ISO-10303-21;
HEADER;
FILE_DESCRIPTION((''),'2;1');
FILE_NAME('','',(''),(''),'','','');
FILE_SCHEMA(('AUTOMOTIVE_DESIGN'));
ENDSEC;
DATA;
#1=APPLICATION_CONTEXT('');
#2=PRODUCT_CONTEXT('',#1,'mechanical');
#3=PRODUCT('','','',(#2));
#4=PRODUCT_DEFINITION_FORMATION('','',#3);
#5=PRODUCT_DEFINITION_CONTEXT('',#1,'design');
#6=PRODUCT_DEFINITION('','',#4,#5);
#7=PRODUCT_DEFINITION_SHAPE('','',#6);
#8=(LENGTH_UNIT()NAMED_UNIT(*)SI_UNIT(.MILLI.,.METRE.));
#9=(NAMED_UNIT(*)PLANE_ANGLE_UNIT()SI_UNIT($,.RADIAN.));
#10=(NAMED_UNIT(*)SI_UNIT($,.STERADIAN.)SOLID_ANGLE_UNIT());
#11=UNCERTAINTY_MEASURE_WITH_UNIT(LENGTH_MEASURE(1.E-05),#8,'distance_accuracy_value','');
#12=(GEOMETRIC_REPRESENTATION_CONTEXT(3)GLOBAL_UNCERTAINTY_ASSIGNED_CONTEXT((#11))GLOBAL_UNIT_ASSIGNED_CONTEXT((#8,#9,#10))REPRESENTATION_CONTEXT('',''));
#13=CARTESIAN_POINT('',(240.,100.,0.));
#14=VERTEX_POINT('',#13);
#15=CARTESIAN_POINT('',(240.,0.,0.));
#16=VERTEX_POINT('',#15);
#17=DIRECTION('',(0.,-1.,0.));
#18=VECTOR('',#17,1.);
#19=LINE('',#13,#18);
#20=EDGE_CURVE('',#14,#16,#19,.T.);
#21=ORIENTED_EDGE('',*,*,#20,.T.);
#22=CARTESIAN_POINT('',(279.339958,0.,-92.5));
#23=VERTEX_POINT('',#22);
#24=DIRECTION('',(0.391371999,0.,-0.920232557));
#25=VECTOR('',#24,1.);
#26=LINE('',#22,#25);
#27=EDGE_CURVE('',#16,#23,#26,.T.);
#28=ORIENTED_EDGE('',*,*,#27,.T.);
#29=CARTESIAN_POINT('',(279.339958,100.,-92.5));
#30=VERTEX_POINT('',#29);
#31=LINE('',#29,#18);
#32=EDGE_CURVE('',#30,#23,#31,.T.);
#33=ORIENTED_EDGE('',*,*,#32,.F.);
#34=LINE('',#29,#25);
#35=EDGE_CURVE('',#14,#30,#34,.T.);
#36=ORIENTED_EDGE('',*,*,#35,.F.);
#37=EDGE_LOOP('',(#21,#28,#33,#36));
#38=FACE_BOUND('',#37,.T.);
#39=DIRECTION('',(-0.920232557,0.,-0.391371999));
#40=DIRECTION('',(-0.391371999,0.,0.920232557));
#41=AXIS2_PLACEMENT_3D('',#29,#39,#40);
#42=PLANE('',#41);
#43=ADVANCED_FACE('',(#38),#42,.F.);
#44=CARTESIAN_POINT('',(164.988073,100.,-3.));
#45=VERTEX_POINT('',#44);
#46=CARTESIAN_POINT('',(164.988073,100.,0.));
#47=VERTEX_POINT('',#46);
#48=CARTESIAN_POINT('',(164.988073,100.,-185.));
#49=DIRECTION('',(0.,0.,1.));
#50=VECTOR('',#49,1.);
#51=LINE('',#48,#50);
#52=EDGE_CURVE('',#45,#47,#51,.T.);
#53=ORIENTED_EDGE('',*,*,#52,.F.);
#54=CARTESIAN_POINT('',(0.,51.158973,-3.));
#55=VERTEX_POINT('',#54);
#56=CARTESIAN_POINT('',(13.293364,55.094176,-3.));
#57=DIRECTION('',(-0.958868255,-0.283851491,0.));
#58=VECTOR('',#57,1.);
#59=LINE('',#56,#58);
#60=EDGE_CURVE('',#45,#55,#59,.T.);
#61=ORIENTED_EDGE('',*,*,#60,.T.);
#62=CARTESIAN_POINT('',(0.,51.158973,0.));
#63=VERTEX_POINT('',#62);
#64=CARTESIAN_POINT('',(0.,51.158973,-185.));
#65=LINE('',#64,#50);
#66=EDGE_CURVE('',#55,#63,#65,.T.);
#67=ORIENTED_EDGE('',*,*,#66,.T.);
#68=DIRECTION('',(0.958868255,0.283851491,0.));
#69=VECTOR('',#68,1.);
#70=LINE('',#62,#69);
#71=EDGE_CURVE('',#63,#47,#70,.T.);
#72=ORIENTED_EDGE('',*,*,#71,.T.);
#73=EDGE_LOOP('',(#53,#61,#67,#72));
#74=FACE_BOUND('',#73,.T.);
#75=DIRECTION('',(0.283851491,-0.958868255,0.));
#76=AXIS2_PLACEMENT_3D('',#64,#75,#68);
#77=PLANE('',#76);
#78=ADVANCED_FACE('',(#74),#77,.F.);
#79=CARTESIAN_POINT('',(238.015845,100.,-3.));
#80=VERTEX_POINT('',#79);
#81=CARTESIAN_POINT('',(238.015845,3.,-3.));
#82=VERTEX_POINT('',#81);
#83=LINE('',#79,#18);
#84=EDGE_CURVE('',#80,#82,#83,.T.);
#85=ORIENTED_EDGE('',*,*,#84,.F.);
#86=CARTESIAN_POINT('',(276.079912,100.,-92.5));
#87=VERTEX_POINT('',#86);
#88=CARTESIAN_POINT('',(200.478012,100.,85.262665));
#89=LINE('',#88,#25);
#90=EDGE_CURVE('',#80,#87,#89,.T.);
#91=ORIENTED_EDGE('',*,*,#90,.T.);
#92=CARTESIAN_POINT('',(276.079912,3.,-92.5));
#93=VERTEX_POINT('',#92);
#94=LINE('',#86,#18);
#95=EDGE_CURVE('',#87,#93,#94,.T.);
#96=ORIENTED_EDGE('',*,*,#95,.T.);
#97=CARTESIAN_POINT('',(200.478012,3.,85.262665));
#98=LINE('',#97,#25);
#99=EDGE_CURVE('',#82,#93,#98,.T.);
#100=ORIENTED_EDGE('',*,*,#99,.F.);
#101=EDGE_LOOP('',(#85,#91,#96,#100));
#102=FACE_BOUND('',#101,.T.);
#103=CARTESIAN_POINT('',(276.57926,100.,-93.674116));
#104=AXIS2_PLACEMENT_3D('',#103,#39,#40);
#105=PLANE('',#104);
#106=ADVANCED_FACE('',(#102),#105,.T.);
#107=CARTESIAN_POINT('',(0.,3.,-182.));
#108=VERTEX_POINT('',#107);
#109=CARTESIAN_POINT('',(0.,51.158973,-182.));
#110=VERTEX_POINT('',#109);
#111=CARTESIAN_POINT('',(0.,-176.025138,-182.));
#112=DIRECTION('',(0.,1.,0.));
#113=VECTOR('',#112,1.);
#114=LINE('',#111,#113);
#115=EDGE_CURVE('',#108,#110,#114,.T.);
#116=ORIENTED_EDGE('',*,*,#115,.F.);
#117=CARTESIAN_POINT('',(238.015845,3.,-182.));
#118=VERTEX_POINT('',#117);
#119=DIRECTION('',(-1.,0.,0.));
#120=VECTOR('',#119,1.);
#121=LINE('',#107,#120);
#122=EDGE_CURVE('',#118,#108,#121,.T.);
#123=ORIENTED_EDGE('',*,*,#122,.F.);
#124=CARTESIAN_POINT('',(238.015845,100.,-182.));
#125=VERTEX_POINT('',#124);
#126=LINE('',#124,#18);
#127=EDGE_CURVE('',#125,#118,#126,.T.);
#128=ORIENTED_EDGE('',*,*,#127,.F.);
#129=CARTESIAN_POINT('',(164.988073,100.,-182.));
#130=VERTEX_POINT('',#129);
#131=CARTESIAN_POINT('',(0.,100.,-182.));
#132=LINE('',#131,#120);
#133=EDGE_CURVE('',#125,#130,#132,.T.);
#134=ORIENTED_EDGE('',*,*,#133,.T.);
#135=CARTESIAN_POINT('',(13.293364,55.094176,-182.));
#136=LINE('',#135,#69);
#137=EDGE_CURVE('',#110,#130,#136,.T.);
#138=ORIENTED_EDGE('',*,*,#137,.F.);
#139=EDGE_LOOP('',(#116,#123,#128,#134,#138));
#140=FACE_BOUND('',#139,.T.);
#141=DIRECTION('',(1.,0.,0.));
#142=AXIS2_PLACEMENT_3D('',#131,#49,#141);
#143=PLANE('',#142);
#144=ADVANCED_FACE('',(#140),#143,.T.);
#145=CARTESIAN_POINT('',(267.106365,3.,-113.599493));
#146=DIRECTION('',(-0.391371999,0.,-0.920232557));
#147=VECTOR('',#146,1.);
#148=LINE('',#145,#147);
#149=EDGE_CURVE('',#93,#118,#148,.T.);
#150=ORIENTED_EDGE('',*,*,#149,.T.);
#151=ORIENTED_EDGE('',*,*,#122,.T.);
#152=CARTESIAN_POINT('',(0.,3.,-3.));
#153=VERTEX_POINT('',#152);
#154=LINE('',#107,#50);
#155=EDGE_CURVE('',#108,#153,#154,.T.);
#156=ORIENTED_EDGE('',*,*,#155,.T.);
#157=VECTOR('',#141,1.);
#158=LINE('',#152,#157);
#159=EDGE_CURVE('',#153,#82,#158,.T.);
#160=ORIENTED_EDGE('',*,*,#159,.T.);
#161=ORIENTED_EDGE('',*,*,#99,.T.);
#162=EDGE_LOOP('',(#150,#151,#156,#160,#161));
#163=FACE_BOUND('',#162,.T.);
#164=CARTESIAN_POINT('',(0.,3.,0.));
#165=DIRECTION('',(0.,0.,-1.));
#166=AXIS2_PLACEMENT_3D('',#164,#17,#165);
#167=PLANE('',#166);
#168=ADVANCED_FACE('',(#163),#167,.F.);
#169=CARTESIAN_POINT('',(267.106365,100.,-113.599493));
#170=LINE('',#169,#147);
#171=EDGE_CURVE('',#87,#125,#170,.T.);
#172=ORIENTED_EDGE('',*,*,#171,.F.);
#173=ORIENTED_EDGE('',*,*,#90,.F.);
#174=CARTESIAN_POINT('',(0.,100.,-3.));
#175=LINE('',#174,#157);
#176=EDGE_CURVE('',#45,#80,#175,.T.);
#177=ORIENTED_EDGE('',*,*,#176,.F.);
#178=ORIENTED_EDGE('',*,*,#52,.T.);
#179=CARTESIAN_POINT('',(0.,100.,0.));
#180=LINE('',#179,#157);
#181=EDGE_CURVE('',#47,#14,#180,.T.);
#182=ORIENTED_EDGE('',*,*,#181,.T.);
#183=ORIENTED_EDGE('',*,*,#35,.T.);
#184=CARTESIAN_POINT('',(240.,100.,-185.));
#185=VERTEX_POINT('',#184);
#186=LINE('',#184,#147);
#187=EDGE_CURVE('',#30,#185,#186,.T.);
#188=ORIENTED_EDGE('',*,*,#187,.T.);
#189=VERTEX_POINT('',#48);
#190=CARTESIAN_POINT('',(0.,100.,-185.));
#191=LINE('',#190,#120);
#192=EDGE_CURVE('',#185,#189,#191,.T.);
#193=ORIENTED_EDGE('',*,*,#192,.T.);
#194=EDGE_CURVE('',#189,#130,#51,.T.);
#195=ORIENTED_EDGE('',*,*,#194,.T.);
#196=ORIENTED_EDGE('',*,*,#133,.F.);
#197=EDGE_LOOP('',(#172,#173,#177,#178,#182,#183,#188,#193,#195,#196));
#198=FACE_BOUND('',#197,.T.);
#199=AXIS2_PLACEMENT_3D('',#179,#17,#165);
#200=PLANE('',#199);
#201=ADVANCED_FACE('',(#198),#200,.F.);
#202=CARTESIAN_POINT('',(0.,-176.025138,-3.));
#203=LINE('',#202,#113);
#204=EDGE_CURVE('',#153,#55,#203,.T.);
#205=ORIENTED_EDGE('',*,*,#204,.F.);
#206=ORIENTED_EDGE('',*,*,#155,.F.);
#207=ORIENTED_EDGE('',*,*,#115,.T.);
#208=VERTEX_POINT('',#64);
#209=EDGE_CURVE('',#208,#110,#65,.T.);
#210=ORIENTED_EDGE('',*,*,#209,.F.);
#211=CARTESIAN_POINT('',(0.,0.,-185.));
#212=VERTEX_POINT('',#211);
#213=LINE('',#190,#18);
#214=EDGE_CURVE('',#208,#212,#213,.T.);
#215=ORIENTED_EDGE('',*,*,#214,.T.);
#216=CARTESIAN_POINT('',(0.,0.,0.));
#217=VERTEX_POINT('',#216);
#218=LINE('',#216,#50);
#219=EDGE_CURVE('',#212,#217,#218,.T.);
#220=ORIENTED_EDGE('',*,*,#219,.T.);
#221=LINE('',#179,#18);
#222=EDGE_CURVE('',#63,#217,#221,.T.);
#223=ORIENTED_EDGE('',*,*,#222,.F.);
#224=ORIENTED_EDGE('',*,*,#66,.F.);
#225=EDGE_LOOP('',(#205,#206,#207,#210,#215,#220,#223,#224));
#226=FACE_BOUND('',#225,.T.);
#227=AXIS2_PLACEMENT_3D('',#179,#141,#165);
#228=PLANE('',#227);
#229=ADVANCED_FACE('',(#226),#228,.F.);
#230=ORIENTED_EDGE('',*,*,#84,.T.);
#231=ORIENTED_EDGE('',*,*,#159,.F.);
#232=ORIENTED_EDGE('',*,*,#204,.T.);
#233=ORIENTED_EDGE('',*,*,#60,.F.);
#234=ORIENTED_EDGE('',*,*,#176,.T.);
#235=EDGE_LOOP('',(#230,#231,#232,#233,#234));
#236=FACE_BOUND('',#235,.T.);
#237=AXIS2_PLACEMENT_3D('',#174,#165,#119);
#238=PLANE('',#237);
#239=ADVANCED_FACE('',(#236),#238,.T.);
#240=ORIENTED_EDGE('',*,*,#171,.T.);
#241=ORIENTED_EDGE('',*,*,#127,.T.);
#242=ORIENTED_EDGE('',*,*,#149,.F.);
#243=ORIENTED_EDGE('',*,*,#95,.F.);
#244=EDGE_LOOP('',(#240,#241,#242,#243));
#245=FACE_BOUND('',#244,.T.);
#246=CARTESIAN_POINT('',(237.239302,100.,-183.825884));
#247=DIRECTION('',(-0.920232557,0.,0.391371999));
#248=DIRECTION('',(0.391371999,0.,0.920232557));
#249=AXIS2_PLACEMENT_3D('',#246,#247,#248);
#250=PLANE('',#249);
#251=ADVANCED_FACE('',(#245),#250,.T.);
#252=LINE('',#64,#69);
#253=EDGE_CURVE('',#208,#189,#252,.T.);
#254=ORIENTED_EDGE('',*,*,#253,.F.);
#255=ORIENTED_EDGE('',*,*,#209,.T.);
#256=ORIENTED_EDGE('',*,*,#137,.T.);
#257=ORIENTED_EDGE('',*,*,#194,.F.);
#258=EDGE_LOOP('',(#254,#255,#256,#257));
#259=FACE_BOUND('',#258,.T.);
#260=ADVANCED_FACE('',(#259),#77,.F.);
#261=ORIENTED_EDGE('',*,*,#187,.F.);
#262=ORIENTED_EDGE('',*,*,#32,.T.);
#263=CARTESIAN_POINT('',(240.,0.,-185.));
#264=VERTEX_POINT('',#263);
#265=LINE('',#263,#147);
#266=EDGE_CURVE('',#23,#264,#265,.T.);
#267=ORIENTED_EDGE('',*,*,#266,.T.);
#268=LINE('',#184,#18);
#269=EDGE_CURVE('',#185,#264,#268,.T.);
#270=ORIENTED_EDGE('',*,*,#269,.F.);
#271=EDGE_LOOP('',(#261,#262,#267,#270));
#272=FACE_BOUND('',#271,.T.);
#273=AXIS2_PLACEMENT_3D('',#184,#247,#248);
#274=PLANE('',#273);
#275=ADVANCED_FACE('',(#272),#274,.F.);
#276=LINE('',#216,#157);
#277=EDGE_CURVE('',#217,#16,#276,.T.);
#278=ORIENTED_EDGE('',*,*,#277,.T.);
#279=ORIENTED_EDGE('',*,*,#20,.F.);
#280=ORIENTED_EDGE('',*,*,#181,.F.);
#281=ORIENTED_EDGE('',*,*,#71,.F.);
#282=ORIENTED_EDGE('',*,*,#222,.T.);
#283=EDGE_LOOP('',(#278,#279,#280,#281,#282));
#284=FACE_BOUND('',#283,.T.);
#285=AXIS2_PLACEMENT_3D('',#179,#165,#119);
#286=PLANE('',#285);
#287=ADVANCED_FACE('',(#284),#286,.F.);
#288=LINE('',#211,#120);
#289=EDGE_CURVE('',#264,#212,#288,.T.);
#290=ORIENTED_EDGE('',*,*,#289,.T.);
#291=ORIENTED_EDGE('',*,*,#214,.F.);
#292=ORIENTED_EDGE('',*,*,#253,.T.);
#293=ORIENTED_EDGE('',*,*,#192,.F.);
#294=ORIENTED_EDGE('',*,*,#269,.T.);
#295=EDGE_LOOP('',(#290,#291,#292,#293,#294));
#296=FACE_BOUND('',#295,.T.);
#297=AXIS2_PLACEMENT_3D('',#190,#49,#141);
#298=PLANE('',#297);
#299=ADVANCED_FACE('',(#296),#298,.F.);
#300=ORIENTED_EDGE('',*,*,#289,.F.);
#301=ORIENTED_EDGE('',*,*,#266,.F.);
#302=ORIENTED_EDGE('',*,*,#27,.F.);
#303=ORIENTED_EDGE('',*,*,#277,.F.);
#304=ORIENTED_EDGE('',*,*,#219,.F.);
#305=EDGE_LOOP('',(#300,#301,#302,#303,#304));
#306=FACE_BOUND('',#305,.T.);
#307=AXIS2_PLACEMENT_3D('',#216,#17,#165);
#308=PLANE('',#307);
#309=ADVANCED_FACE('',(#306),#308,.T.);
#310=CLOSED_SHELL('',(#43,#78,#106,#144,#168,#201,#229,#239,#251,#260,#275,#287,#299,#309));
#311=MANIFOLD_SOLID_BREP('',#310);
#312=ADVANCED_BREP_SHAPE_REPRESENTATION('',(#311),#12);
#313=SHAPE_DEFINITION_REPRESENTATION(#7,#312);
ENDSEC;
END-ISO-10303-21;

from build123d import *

# Parameters (mm, degrees)
BOSS_EXTRUDE1_DEPTH = 100
SHELL1_T            = -3
SKETCH2_W           = 3
SKETCH2_H           = 179
CUT_EXTRUDE1_DEPTH  = 97
CUT_EXTRUDE2_DEPTH  = 350.650985941


with BuildPart() as part:
    # Sketch1 → Boss-Extrude1 (new body)
    with BuildSketch(Plane(origin=(0, 0, 0), x_dir=(1, 0, 0), z_dir=(0, 1, 0))):
        Polygon((240, 185), (279.339957703, 92.5), (240, 0), (0, 0), (0, 185), align=None)
    extrude(amount=BOSS_EXTRUDE1_DEPTH)

    # Shell1
    shell1_openings = [part.faces().sort_by_distance(p)[0] for p in [
        (130.08332263, 100, -92.5),
    ]]
    offset(amount=SHELL1_T, openings=shell1_openings, kind=Kind.INTERSECTION)

    # Sketch2 → Cut-Extrude1 (cut)
    with BuildSketch(Plane(origin=(0, 100, 0), x_dir=(1, 0, 0), z_dir=(0, 1, 0))):
        with Locations((1.5, 92.5)):
            Rectangle(SKETCH2_W, SKETCH2_H)
    extrude(amount=-CUT_EXTRUDE1_DEPTH, mode=Mode.SUBTRACT)

    # Sketch3 → Cut-Extrude2 (cut, through all)
    with BuildSketch(Plane.XY):
        Polygon((0, 100), (0, 51.158972719), (164.988073302, 100), align=None)
    extrude(amount=-CUT_EXTRUDE2_DEPTH, mode=Mode.SUBTRACT)


solid = part.part
